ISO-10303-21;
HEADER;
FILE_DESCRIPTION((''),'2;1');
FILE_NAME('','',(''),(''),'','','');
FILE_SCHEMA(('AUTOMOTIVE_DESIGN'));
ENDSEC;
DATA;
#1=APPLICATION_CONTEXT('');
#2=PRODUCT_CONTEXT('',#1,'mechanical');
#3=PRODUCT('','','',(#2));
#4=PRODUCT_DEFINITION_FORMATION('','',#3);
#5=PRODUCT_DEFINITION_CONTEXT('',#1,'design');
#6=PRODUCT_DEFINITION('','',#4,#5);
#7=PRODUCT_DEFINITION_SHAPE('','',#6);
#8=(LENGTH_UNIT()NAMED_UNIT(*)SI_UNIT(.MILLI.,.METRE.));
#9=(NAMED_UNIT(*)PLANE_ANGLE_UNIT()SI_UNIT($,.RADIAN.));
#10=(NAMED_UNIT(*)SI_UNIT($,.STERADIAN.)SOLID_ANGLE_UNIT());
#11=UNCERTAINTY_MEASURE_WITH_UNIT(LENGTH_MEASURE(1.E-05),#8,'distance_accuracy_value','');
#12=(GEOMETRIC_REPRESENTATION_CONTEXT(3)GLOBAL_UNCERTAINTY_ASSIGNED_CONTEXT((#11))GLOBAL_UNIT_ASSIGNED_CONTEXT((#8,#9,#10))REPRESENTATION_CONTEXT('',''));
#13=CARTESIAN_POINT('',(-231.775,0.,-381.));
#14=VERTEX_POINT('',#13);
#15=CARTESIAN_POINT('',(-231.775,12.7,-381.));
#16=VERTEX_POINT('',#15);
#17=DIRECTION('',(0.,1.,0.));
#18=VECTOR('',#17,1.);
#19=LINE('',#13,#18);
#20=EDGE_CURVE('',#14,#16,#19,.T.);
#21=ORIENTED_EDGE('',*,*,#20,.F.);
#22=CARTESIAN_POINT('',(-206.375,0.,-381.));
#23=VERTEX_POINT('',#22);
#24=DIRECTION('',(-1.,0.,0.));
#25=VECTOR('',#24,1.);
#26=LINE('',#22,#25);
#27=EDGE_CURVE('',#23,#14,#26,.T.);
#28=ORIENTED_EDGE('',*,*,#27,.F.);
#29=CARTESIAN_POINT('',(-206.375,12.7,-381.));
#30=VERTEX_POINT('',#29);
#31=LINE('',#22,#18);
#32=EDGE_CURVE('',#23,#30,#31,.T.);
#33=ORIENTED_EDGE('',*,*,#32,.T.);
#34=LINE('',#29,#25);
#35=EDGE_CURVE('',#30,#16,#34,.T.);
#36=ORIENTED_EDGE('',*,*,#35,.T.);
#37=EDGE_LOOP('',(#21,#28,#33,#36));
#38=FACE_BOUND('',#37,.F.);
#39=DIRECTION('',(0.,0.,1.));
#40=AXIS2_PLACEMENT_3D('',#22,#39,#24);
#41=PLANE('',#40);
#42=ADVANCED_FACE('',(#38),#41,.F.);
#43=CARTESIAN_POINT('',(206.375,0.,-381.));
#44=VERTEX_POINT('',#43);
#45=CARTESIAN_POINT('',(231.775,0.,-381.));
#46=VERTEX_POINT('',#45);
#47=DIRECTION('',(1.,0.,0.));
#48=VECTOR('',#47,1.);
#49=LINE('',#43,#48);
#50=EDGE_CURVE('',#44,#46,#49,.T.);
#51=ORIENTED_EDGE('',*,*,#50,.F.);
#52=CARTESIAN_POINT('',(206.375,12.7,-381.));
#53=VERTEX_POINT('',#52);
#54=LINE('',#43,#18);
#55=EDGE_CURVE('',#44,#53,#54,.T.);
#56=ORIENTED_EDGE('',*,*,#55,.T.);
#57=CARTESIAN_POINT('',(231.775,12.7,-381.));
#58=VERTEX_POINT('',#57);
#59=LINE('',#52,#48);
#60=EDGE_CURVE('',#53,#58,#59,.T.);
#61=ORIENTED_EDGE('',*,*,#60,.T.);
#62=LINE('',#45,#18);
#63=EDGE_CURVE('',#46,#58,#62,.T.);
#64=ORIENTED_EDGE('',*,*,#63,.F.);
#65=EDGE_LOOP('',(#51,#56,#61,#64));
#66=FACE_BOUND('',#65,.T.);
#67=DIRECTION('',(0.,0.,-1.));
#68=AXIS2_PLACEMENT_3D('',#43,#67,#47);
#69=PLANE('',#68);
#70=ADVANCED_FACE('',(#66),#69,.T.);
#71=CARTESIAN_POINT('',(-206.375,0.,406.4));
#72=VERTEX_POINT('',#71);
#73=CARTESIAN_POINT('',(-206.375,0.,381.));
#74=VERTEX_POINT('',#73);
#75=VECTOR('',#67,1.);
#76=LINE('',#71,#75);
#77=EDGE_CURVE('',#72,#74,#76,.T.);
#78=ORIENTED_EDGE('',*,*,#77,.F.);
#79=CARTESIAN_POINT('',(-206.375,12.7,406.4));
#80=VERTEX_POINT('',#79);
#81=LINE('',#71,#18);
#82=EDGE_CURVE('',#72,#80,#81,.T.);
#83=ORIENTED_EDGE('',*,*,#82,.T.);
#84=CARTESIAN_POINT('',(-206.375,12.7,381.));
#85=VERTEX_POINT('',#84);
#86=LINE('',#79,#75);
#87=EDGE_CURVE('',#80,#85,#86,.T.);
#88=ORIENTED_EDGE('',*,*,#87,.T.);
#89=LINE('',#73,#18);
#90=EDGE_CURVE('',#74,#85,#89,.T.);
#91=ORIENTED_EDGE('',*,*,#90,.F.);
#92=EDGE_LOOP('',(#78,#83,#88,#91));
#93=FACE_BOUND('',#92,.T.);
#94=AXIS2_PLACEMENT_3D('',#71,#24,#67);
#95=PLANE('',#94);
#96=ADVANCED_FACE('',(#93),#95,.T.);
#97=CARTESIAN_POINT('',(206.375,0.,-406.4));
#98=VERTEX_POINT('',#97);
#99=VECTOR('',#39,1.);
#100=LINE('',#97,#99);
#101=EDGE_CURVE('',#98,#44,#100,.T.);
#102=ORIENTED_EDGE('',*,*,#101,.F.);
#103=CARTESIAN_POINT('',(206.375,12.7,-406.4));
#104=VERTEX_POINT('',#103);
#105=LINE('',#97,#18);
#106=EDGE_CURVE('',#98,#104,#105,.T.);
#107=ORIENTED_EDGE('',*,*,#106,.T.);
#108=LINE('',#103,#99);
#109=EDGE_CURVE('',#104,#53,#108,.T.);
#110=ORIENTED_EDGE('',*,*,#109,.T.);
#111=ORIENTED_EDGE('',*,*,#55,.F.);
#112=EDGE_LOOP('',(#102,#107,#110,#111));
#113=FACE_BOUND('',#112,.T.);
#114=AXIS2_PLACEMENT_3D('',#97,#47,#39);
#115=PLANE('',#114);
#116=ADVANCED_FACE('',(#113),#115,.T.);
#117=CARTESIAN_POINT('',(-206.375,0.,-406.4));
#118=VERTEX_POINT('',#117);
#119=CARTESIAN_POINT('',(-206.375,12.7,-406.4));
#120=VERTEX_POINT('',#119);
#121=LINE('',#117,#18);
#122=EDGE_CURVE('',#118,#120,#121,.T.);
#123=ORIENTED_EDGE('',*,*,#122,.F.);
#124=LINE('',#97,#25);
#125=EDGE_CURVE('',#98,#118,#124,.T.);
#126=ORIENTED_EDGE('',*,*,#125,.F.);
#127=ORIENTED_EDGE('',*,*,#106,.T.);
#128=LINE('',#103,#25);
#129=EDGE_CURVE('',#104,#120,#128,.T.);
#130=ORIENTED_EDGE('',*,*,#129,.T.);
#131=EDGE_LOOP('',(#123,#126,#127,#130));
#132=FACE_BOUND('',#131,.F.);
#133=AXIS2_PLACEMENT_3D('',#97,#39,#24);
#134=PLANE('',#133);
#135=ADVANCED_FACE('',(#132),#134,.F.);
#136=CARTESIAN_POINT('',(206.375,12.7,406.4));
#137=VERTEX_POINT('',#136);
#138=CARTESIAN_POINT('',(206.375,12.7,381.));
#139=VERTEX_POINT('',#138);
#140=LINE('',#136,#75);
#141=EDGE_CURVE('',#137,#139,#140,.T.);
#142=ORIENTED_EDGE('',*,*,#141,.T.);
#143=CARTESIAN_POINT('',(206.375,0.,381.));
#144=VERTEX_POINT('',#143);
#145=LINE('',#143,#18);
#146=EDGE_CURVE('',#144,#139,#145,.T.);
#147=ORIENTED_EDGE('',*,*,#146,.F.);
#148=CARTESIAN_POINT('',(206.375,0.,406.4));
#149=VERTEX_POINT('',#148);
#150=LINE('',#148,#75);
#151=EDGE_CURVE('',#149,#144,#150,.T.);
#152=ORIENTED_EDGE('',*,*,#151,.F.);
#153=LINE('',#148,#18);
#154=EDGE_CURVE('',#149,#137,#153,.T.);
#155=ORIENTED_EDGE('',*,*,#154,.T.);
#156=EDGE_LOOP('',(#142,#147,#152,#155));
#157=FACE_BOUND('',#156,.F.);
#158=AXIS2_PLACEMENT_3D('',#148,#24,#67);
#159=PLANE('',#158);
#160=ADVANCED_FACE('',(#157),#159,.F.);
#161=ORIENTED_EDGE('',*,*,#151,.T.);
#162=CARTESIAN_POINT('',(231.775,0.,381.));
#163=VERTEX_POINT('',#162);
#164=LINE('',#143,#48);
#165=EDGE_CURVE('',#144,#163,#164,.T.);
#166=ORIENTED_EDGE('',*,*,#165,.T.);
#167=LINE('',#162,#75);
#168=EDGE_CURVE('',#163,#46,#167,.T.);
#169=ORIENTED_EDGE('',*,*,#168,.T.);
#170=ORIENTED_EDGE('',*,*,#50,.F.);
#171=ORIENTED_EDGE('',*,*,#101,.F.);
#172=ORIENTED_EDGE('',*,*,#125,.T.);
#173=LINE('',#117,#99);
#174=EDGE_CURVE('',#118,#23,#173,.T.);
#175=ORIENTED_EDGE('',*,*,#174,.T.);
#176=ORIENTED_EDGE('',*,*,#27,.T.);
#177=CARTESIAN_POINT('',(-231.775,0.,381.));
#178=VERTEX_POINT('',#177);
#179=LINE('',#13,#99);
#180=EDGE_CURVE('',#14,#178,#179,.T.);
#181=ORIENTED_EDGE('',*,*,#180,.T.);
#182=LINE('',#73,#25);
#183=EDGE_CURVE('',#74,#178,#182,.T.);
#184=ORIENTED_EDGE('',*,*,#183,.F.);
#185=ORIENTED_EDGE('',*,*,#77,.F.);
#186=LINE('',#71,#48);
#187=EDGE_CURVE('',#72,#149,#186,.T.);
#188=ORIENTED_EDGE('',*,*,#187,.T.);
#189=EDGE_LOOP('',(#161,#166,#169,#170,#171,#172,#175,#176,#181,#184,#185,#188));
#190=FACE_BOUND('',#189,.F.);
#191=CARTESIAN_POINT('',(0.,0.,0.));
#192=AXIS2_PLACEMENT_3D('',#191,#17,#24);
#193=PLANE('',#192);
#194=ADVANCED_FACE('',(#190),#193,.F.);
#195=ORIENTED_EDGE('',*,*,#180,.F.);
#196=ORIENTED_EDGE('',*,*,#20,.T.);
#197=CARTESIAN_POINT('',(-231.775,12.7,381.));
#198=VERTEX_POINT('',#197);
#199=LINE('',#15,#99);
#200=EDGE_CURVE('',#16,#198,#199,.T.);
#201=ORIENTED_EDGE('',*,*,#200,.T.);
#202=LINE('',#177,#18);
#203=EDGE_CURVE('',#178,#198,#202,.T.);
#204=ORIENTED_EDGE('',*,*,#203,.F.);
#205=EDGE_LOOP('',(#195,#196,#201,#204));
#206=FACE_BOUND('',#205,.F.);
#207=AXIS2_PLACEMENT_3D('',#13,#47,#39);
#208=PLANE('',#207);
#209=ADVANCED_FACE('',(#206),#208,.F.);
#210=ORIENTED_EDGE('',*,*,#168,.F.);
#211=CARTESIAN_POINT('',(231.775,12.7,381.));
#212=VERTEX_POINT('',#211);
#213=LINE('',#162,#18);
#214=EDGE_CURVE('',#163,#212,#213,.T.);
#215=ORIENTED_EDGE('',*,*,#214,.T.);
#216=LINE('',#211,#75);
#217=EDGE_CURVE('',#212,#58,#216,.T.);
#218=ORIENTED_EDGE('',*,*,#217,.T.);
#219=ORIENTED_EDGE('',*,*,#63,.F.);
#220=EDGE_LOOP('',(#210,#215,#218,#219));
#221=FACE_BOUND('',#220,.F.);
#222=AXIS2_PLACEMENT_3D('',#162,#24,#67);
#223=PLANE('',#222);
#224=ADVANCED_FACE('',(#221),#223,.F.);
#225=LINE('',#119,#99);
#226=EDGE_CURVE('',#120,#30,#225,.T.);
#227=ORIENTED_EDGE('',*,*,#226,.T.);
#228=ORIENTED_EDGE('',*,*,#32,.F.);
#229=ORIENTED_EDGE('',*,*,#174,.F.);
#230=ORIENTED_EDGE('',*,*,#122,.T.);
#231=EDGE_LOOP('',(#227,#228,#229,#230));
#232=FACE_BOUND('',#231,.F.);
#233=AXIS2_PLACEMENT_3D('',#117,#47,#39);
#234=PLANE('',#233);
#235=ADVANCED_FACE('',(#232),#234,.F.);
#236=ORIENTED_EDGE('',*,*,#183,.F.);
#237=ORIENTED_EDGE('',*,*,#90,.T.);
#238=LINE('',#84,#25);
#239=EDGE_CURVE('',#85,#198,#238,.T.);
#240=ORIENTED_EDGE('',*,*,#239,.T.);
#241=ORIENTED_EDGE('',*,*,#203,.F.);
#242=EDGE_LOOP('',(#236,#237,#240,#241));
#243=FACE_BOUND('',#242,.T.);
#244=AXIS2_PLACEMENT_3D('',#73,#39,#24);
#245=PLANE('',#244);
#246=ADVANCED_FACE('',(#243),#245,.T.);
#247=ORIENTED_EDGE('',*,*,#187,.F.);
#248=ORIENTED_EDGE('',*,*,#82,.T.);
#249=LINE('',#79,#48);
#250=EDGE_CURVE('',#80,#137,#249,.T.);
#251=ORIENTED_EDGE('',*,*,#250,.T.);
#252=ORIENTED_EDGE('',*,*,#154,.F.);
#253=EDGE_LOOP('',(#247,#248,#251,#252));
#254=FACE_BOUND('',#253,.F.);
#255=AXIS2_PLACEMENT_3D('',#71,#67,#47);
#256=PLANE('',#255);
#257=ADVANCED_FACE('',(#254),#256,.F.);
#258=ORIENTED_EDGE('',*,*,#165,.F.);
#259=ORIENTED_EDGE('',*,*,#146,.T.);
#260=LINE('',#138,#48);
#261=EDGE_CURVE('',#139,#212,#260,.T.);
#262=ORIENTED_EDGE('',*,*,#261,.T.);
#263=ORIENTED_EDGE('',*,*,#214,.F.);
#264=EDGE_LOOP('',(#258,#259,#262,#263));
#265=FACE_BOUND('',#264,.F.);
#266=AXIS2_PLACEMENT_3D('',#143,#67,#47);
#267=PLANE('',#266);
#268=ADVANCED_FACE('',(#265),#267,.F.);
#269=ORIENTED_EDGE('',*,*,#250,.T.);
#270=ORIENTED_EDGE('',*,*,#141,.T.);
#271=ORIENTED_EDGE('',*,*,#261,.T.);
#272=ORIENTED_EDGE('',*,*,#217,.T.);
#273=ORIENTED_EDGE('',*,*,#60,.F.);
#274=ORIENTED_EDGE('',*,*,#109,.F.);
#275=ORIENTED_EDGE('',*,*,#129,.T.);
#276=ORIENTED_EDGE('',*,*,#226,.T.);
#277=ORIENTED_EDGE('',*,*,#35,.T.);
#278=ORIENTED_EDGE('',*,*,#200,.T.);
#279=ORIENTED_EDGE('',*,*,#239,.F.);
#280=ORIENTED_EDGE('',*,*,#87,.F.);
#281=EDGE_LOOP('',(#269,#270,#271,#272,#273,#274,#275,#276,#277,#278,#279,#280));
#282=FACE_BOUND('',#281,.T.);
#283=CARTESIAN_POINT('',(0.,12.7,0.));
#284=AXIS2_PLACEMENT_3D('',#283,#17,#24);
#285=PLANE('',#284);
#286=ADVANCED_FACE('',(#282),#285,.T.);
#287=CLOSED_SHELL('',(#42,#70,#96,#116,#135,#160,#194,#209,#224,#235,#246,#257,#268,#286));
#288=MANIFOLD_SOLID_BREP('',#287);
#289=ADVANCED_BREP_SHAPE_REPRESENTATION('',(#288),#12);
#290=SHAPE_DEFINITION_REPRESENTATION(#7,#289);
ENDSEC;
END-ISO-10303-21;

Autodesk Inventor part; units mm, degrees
ref_plane "XZ Plane" through (0, 0, 0) normal (0, 1, 0) x (-1, 0, 0)
sketch "Sketch1" plane through (0, 0, 0) normal (0, 1, 0) x (-1, 0, 0)
  line L0 (206.375, 406.4) -> (-206.375, 406.4)
  line L1 (-231.775, 381) -> (-231.775, -381)
  line L2 (-206.375, -406.4) -> (206.375, -406.4)
  line L3 (231.775, -381) -> (231.775, 381)
  line L4 (231.775, 406.4) -> (-231.775, -406.4) construction
  line L5 (-231.775, 406.4) -> (231.775, -406.4) construction
  line L6 (206.375, -406.4) -> (206.375, -381)
  line L7 (206.375, -381) -> (231.775, -381)
  line L8 (-206.375, -406.4) -> (-206.375, -381)
  line L9 (-206.375, -381) -> (-231.775, -381)
  line L10 (206.375, 406.4) -> (206.375, 381)
  line L11 (206.375, 381) -> (231.775, 381)
  line L12 (-206.375, 406.4) -> (-206.375, 381)
  line L13 (-206.375, 381) -> (-231.775, 381)
  point P0 (0, 0)
  dimension "d12" = 812.8
  dimension "d13" = 463.55
extrude "Extrusion1" add sketch "Sketch1" along normal blind 12.7
properties part number "baseForLongRobot" material "Wood (Birch)"
